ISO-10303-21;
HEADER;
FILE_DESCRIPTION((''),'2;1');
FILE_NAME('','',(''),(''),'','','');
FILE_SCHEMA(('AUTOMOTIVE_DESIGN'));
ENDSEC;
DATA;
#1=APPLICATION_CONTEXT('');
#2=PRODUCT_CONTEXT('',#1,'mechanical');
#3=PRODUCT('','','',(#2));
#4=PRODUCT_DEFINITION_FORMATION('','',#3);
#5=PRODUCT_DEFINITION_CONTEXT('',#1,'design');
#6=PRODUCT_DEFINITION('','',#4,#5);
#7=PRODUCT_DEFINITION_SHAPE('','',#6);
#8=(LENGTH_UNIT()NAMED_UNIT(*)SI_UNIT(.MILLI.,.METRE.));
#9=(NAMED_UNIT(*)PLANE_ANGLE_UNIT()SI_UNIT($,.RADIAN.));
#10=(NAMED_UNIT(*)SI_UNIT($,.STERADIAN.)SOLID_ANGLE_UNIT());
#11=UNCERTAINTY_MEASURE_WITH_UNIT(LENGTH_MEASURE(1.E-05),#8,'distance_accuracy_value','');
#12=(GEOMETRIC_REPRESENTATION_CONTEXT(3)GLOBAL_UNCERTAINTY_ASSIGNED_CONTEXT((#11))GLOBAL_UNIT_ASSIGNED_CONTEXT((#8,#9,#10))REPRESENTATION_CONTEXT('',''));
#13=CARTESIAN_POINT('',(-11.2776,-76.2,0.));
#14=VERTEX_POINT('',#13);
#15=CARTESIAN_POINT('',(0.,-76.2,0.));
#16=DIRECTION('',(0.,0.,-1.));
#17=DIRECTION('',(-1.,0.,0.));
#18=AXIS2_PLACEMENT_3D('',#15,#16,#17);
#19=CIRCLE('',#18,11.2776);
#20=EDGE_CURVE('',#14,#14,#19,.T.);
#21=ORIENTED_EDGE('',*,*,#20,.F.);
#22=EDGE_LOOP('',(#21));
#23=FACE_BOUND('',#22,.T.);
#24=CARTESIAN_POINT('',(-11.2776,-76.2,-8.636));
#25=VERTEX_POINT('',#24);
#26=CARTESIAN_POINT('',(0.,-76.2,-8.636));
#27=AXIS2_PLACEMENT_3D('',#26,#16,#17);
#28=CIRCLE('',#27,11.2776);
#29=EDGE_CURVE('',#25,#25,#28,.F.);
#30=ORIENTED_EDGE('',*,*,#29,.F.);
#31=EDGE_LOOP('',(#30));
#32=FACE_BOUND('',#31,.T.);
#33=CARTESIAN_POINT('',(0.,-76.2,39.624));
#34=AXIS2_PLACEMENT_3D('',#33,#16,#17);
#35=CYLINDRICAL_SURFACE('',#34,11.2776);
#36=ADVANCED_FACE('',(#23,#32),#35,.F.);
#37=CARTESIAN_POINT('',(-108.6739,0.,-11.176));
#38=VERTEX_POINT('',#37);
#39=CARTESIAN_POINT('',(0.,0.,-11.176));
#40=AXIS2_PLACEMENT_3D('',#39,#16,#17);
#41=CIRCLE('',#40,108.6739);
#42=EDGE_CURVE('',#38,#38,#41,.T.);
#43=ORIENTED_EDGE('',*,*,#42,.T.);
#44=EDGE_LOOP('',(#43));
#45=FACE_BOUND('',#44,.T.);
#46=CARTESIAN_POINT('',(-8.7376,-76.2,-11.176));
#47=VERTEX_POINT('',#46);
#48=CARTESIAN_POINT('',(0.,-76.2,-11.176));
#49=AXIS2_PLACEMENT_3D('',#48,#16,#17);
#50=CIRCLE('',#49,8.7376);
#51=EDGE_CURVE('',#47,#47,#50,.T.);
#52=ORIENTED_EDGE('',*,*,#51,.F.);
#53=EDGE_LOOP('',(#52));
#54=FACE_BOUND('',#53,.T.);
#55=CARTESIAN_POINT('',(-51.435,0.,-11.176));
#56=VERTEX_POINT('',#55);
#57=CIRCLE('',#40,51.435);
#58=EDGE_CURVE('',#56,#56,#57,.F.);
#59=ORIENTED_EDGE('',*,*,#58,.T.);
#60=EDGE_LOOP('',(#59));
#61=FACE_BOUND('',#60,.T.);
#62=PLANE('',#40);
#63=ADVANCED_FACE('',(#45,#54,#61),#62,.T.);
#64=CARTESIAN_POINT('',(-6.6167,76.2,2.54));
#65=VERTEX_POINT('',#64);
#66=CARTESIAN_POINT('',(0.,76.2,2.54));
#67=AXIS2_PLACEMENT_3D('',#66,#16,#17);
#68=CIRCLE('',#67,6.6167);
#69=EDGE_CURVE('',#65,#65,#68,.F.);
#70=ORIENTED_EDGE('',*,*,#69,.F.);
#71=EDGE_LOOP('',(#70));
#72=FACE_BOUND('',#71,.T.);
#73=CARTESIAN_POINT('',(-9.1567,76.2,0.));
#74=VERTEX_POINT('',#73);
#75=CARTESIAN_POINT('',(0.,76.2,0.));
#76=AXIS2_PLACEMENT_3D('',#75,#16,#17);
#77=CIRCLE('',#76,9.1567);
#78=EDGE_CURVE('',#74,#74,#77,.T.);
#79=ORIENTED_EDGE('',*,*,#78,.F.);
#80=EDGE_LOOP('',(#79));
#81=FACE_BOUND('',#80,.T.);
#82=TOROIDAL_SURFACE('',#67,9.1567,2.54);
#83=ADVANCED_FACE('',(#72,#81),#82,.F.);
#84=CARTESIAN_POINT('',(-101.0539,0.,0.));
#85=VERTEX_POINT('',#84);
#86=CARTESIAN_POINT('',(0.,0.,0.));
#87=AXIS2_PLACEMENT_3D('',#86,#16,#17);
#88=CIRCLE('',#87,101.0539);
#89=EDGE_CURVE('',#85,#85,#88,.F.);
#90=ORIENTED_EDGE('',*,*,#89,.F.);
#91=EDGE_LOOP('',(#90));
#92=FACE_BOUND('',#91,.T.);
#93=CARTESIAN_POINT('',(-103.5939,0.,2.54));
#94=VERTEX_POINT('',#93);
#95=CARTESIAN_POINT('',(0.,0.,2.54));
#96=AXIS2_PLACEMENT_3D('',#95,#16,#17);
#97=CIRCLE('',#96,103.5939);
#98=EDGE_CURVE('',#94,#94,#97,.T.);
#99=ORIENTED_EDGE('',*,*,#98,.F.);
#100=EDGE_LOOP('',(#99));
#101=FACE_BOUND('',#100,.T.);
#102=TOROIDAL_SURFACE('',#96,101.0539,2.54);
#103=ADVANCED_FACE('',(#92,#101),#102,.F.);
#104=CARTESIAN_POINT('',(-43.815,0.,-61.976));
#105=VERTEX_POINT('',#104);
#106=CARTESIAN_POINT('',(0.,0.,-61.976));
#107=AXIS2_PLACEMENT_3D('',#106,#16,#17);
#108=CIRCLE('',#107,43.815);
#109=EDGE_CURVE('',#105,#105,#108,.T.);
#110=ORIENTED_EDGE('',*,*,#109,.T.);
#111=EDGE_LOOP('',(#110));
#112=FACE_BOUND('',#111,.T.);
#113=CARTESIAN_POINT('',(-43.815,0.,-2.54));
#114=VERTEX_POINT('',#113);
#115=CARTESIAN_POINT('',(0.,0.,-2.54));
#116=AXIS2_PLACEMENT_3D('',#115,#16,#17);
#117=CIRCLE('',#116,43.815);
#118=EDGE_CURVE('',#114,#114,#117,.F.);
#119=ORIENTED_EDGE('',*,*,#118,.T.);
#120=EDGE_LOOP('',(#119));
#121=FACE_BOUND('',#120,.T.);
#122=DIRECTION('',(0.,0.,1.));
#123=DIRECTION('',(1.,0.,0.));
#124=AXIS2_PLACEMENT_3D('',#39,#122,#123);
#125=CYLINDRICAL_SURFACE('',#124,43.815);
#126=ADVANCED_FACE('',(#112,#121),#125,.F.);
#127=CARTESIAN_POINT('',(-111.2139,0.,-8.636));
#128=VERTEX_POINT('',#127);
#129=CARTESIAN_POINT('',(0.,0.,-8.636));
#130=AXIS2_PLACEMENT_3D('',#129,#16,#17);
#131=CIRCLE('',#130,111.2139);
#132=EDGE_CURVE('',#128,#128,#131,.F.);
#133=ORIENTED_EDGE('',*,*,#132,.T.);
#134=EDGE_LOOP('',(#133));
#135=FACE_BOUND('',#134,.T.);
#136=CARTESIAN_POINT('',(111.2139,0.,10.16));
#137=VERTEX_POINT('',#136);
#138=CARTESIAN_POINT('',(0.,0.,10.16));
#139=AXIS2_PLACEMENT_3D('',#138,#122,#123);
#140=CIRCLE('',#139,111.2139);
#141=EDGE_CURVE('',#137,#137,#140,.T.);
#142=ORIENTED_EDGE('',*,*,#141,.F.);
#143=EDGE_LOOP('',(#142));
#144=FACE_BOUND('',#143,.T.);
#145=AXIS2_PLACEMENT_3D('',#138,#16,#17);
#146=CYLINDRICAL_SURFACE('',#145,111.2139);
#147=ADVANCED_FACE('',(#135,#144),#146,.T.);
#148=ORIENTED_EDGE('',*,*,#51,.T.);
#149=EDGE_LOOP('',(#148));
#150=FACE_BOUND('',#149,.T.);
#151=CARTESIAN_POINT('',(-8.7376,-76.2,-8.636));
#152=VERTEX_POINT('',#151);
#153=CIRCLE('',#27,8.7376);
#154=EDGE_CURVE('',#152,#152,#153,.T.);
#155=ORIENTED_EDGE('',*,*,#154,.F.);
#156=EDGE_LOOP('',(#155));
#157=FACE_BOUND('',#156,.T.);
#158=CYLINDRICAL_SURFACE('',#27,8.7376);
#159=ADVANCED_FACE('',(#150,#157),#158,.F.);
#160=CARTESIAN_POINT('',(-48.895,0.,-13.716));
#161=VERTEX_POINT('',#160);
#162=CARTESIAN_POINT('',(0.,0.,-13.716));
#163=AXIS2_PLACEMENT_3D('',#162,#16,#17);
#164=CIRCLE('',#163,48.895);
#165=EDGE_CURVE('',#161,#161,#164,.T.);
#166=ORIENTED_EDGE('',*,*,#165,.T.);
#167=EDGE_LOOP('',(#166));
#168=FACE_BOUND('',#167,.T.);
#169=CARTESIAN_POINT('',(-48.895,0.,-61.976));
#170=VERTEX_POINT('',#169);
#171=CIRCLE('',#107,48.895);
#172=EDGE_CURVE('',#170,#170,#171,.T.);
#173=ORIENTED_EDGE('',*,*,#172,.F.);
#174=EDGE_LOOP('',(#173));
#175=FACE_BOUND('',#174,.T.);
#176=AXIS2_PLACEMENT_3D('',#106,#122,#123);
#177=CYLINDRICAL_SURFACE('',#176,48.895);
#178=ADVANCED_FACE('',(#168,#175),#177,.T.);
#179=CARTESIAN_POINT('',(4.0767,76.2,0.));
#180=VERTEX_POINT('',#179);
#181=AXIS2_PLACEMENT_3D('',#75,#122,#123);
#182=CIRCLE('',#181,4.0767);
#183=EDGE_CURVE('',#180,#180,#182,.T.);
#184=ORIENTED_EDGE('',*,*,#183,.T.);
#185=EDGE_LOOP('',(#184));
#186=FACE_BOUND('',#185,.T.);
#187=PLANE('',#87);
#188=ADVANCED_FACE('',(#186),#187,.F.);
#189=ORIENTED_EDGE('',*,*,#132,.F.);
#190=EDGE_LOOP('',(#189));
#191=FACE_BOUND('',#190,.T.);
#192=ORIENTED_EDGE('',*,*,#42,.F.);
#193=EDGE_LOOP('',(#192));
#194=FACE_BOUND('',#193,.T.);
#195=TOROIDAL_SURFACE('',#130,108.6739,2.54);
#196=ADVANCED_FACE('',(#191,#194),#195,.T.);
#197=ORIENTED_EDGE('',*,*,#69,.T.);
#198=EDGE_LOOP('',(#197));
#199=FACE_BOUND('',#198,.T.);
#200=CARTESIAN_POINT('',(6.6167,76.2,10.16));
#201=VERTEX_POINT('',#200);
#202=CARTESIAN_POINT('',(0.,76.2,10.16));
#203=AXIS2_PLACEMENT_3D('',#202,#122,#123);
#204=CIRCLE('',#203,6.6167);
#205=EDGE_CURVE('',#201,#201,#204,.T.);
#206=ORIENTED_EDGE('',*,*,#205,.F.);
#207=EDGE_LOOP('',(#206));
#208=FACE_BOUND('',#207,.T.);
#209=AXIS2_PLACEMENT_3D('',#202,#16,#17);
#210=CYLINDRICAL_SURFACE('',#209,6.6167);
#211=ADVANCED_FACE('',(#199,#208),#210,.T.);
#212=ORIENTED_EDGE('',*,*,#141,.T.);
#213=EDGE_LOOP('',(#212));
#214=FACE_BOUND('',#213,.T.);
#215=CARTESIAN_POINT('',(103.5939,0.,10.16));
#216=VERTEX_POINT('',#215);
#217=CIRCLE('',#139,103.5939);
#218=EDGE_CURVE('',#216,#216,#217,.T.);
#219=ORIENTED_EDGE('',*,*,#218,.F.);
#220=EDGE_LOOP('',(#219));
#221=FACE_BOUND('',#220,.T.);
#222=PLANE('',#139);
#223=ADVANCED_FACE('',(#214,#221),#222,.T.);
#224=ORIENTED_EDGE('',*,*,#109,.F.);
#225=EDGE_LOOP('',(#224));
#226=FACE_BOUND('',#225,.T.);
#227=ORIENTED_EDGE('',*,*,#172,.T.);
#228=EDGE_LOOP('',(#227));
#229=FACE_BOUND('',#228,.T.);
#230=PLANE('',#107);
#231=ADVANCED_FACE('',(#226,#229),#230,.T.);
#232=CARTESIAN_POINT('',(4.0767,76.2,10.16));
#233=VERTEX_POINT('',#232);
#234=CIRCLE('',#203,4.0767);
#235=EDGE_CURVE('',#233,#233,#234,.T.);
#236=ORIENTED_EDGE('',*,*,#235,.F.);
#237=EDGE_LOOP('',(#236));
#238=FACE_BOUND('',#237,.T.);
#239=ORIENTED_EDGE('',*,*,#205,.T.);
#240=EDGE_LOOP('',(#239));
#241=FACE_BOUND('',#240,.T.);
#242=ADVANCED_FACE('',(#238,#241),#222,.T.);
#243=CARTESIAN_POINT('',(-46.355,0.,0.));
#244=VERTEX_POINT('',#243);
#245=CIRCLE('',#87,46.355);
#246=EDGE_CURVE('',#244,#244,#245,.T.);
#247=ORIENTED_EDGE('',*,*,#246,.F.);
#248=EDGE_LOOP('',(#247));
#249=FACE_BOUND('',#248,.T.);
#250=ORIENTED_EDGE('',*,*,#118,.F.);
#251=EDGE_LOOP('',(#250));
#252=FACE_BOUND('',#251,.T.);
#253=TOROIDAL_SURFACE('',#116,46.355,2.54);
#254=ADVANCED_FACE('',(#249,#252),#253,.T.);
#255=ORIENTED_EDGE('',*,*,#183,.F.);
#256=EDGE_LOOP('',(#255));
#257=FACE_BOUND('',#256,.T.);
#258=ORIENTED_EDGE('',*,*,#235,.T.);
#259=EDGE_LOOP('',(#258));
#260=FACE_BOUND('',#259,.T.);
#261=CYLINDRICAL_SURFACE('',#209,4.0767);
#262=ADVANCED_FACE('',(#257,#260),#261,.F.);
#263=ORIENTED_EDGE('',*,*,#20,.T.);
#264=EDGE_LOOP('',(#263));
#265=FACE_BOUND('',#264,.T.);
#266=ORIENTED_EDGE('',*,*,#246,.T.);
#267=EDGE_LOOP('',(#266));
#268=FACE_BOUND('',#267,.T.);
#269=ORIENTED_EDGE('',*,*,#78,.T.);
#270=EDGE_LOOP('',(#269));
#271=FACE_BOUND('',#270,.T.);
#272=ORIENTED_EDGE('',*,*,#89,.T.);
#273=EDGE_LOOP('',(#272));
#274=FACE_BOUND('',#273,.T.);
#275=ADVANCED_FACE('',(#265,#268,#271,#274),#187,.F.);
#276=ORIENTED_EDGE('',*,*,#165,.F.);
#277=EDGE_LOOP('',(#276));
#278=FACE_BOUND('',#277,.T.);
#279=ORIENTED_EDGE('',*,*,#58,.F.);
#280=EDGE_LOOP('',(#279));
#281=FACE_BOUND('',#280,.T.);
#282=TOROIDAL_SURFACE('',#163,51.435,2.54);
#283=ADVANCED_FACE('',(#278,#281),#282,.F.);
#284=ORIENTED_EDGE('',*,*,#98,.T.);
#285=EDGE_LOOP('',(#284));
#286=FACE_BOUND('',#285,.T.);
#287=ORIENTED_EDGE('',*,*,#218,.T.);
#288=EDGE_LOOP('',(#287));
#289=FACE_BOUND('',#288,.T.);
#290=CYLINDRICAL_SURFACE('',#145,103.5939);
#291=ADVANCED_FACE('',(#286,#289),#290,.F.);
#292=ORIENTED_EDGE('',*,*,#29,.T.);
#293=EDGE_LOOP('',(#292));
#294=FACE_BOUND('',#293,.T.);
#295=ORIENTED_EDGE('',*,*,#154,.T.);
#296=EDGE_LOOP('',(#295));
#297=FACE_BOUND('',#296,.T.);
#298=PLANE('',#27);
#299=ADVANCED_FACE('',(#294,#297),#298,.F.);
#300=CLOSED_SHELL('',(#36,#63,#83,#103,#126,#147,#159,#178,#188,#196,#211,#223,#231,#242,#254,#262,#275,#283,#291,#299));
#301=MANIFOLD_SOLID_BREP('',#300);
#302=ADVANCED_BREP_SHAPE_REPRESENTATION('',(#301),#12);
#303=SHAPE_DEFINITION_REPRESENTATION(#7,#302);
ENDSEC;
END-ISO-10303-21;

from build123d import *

# Parameters (mm, degrees)
SKETCH1_R           = 111.2139
SKETCH1_R_2         = 103.5939
BOSS_EXTRUDE1_DEPTH = 10.16
SKETCH2_R           = 111.2139
SKETCH2_R_2         = 43.815
BOSS_EXTRUDE3_DEPTH = 11.176
SKETCH3_R           = 48.895
SKETCH3_R_2         = 43.815
BOSS_EXTRUDE4_DEPTH = 50.8
FILLET1_R           = 2.54
FILLET2_R           = 2.54
SKETCH4_R           = 11.2776
CUT_EXTRUDE1_DEPTH  = 50.8
SKETCH5_R           = 6.6167
SKETCH5_R_2         = 4.0767
BOSS_EXTRUDE5_DEPTH = 10.16
FILLET3_R           = 2.54
SKETCH6_R           = 11.2776
SKETCH6_R_2         = 8.7376
BOSS_EXTRUDE6_DEPTH = 2.54


with BuildPart() as part:
    # Sketch1 → Boss-Extrude1 (new body)
    with BuildSketch(Plane.XY):
        Circle(SKETCH1_R)
        Circle(SKETCH1_R_2, mode=Mode.SUBTRACT)
    extrude(amount=BOSS_EXTRUDE1_DEPTH)

    # Sketch2 → Boss-Extrude3 (add)
    with BuildSketch(Plane(origin=(0, 0, 0), x_dir=(-1, 0, 0), z_dir=(0, 0, -1))):
        Circle(SKETCH2_R)
        Circle(SKETCH2_R_2, mode=Mode.SUBTRACT)
    extrude(amount=BOSS_EXTRUDE3_DEPTH)

    # Sketch3 → Boss-Extrude4 (add)
    with BuildSketch(Plane(origin=(0, 0, -11.176), x_dir=(-1, 0, 0), z_dir=(0, 0, -1))):
        Circle(SKETCH3_R)
        Circle(SKETCH3_R_2, mode=Mode.SUBTRACT)
    extrude(amount=BOSS_EXTRUDE4_DEPTH)

    # Fillet1
    fillet1_edges = [part.edges().sort_by_distance(p)[0] for p in [
        (-103.5939, 0, 0),
    ]]
    fillet(fillet1_edges, radius=FILLET1_R)

    # Fillet2
    fillet2_edges = [part.edges().sort_by_distance(p)[0] for p in [
        (48.895, 0, -11.176),
        (43.815, 0, 0),
        (111.2139, 0, -11.176),
    ]]
    fillet(fillet2_edges, radius=FILLET2_R)

    # Sketch4 → Cut-Extrude1 (cut)
    with BuildSketch(Plane(origin=(0, 0, -11.176), x_dir=(-1, 0, 0), z_dir=(0, 0, -1))):
        with Locations((0, -76.2)):
            Circle(SKETCH4_R)
    extrude(amount=-CUT_EXTRUDE1_DEPTH, mode=Mode.SUBTRACT)

    # Sketch5 → Boss-Extrude5 (add)
    with BuildSketch(Plane.XY):
        with Locations((0, 76.2)):
            Circle(SKETCH5_R)
        with Locations((0, 76.2)):
            Circle(SKETCH5_R_2, mode=Mode.SUBTRACT)
    extrude(amount=BOSS_EXTRUDE5_DEPTH)

    # Fillet3
    fillet3_edges = [part.edges().sort_by_distance(p)[0] for p in [
        (-6.6167, 76.2, 0),
    ]]
    fillet(fillet3_edges, radius=FILLET3_R)

    # Sketch6 → Boss-Extrude6 (add)
    with BuildSketch(Plane(origin=(0, 0, -11.176), x_dir=(-1, 0, 0), z_dir=(0, 0, -1))):
        with Locations((0, -76.2)):
            Circle(SKETCH6_R)
        with Locations((0, -76.2)):
            Circle(SKETCH6_R_2, mode=Mode.SUBTRACT)
    extrude(amount=-BOSS_EXTRUDE6_DEPTH)


solid = part.part
